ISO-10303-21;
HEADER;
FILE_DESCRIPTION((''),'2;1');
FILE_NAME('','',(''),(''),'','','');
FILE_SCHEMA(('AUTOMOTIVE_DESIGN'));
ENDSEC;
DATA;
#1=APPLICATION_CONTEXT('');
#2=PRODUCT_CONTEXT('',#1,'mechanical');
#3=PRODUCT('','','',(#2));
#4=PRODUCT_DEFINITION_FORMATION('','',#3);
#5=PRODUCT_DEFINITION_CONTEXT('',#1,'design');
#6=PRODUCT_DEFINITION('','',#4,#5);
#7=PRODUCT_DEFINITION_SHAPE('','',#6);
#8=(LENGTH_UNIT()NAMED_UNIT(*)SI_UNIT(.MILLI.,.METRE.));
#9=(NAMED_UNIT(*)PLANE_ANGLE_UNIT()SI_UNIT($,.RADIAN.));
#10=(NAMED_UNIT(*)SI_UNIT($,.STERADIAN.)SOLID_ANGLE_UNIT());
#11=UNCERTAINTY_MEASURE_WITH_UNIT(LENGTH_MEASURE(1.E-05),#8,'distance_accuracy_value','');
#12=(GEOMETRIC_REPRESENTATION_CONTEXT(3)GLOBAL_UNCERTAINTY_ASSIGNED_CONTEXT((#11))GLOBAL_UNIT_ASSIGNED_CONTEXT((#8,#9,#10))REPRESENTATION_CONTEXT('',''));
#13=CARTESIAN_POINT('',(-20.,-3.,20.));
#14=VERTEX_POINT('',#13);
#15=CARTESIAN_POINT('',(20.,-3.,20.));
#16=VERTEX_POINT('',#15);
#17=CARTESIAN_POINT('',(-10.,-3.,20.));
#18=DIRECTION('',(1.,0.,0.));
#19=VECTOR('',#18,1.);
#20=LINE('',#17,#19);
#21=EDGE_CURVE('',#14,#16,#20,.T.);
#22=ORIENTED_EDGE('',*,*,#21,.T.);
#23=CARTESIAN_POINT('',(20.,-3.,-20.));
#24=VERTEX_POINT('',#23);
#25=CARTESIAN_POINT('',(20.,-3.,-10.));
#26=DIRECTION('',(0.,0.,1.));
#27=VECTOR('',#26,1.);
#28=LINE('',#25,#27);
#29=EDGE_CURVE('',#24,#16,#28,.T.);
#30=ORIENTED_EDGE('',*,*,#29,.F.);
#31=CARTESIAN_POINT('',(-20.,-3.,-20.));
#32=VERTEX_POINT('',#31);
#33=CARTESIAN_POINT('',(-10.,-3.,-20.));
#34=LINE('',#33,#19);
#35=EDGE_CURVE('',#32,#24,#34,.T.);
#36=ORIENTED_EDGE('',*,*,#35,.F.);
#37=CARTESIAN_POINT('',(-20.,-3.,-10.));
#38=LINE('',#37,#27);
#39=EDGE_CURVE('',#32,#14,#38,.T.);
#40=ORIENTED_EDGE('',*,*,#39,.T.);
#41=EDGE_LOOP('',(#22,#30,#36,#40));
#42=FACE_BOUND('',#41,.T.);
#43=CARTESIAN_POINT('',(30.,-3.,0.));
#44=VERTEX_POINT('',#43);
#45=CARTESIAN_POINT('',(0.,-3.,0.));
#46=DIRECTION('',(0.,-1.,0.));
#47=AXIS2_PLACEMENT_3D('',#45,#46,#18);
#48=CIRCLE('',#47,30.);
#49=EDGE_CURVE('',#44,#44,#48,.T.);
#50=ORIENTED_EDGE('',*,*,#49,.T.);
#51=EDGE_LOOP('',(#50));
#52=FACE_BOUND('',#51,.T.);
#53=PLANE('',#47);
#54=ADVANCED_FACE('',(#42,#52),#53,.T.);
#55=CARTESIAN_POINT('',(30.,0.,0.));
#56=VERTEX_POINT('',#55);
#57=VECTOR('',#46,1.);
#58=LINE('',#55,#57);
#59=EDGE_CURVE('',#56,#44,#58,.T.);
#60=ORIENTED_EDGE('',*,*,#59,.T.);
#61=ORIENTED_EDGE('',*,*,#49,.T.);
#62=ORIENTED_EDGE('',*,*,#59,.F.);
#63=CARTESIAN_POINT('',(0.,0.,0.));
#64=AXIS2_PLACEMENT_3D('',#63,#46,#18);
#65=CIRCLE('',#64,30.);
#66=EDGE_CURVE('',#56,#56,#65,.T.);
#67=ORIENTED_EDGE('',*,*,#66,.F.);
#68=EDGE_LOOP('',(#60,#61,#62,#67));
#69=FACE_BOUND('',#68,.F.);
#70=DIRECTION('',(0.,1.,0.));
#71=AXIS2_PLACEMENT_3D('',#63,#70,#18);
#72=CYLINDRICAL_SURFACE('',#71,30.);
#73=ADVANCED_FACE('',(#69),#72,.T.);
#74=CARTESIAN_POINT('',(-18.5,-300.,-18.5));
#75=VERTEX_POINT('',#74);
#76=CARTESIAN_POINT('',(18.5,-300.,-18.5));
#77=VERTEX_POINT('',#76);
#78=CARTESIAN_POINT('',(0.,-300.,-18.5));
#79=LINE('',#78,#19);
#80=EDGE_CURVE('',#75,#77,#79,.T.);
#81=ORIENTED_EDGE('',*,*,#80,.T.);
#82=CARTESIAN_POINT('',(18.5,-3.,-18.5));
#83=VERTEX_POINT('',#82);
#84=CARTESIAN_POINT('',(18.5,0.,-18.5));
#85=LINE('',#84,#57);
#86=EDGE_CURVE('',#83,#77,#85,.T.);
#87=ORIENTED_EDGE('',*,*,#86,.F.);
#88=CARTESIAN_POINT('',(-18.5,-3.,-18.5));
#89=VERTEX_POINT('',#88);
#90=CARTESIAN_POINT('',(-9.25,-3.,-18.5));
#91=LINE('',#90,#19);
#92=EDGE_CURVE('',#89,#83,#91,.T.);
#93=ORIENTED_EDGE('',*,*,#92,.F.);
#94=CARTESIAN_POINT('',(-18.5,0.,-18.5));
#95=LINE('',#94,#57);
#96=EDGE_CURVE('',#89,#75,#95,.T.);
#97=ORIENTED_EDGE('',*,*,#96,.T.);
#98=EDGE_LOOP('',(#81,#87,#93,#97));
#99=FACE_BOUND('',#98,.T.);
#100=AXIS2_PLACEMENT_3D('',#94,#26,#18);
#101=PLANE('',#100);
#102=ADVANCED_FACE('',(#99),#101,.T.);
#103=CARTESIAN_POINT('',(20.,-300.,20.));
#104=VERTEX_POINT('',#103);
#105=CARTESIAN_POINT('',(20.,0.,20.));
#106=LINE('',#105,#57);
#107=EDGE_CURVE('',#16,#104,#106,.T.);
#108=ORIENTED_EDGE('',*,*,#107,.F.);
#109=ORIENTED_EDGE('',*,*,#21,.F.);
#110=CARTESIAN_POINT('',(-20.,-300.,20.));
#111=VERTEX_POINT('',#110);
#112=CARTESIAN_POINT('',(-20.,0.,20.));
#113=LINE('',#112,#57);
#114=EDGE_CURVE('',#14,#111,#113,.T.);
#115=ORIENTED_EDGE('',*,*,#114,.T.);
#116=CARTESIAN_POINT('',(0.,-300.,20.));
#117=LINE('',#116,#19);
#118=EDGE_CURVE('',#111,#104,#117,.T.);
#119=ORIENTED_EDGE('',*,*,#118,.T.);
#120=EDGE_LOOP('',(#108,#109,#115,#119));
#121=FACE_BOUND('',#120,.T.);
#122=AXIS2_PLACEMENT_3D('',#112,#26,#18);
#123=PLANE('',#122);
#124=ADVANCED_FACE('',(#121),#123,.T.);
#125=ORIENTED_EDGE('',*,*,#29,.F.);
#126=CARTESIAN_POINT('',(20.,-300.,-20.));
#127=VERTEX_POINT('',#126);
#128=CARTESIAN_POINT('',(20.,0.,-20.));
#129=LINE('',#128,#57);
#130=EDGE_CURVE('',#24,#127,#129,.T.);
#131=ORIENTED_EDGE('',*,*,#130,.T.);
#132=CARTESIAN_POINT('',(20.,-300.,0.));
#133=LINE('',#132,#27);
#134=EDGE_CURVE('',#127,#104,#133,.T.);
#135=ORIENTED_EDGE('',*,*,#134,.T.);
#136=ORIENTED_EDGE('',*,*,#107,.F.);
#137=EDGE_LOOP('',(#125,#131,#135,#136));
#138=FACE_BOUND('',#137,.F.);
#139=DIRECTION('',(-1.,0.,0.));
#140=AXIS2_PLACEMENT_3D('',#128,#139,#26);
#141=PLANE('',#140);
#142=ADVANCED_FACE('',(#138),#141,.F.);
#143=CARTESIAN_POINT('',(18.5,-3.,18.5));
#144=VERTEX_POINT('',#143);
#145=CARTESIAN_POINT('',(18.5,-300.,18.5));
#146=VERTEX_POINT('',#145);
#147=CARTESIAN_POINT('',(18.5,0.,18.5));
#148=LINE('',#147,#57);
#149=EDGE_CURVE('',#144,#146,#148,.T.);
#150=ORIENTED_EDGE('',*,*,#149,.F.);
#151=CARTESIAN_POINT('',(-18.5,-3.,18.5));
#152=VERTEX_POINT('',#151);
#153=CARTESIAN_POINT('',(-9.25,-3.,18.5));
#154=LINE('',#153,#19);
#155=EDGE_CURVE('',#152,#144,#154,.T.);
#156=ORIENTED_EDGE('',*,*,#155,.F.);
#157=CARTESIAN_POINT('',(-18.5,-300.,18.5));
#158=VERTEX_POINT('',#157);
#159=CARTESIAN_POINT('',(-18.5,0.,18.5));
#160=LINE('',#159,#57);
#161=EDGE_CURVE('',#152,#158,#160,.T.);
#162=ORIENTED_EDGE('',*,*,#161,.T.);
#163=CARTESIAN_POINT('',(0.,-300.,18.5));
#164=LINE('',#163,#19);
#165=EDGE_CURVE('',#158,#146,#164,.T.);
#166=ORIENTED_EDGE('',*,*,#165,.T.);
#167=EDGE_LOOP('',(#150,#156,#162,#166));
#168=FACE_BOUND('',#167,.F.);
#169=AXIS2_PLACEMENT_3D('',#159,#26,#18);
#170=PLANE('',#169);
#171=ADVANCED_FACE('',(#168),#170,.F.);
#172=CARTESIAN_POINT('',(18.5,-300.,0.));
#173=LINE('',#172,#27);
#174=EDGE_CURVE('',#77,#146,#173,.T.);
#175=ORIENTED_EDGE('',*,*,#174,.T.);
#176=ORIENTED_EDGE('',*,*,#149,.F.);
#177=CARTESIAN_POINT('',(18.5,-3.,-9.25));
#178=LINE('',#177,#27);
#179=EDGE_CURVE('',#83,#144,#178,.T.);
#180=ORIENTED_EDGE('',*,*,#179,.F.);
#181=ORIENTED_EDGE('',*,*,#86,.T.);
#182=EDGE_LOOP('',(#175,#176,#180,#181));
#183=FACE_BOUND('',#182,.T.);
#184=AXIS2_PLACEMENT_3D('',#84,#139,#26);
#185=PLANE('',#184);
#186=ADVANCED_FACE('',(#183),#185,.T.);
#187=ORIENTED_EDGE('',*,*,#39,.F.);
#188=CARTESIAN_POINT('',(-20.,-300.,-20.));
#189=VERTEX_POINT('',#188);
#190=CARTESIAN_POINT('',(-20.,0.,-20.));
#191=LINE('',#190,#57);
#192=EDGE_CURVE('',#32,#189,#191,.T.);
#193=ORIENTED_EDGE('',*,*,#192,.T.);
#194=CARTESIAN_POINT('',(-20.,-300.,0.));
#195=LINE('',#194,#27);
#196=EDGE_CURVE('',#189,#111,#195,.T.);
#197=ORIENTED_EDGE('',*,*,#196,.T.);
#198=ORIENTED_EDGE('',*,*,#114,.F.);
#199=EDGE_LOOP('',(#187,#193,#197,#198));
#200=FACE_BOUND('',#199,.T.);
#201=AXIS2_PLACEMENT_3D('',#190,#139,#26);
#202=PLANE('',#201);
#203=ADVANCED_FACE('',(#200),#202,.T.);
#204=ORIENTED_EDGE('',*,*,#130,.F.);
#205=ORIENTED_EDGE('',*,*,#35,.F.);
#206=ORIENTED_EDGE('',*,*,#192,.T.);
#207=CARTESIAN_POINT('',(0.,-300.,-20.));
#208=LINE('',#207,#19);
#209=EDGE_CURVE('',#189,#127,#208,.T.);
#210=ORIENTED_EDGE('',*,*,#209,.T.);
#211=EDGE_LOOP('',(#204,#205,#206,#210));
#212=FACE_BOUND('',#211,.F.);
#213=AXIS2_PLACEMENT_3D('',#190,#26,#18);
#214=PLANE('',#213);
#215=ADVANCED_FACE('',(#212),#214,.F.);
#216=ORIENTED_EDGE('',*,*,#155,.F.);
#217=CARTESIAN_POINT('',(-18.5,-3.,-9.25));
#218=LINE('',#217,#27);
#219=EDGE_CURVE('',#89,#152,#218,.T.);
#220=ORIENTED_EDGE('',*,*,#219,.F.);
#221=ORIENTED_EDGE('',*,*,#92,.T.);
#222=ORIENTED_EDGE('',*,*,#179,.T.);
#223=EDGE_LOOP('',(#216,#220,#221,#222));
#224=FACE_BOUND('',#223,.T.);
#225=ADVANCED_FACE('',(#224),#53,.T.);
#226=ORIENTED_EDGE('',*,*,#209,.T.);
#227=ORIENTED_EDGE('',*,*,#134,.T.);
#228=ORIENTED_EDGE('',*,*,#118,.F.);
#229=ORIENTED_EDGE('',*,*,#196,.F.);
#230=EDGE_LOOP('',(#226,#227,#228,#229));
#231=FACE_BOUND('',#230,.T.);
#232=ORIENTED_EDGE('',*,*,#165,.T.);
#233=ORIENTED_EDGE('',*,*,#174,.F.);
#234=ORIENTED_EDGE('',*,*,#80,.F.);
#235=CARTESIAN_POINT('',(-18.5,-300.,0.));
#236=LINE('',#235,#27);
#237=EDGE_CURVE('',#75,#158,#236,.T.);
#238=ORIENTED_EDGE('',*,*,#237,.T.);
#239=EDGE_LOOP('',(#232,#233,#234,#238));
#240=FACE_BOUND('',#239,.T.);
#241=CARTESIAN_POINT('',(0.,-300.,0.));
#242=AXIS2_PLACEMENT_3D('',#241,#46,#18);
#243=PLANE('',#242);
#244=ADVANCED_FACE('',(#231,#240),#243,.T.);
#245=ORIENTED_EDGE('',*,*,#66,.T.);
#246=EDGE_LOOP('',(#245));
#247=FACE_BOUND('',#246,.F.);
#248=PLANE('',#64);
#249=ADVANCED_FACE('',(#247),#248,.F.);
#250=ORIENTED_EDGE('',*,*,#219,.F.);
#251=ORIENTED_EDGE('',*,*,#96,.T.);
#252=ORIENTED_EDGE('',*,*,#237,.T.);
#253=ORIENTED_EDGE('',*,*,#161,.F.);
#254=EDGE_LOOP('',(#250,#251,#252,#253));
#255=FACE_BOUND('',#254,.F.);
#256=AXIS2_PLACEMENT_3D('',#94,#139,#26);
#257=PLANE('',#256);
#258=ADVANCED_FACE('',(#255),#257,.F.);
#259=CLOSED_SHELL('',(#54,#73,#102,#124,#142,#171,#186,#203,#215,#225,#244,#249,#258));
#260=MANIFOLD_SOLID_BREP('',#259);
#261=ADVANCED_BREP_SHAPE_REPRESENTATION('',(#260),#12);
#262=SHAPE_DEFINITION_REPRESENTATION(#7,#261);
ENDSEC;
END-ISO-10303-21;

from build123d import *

# Parameters (mm, degrees)
F0_W     = 40
F0_H     = 40
F0_W_2   = 37
F0_H_2   = 37
F1_DEPTH = 300
F2_R     = 30
F3_DEPTH = 3


with BuildPart() as f1:
    # F0 (on Front) → F1 (new body)
    with BuildSketch(Plane.XZ):
        Rectangle(F0_W, F0_H)
        Rectangle(F0_W_2, F0_H_2, mode=Mode.SUBTRACT)
    extrude(amount=F1_DEPTH)

    # F2 (on Front) → F3 (join)
    with BuildSketch(Plane.XZ):
        Circle(F2_R)
    extrude(amount=F3_DEPTH)


solid = f1.part
